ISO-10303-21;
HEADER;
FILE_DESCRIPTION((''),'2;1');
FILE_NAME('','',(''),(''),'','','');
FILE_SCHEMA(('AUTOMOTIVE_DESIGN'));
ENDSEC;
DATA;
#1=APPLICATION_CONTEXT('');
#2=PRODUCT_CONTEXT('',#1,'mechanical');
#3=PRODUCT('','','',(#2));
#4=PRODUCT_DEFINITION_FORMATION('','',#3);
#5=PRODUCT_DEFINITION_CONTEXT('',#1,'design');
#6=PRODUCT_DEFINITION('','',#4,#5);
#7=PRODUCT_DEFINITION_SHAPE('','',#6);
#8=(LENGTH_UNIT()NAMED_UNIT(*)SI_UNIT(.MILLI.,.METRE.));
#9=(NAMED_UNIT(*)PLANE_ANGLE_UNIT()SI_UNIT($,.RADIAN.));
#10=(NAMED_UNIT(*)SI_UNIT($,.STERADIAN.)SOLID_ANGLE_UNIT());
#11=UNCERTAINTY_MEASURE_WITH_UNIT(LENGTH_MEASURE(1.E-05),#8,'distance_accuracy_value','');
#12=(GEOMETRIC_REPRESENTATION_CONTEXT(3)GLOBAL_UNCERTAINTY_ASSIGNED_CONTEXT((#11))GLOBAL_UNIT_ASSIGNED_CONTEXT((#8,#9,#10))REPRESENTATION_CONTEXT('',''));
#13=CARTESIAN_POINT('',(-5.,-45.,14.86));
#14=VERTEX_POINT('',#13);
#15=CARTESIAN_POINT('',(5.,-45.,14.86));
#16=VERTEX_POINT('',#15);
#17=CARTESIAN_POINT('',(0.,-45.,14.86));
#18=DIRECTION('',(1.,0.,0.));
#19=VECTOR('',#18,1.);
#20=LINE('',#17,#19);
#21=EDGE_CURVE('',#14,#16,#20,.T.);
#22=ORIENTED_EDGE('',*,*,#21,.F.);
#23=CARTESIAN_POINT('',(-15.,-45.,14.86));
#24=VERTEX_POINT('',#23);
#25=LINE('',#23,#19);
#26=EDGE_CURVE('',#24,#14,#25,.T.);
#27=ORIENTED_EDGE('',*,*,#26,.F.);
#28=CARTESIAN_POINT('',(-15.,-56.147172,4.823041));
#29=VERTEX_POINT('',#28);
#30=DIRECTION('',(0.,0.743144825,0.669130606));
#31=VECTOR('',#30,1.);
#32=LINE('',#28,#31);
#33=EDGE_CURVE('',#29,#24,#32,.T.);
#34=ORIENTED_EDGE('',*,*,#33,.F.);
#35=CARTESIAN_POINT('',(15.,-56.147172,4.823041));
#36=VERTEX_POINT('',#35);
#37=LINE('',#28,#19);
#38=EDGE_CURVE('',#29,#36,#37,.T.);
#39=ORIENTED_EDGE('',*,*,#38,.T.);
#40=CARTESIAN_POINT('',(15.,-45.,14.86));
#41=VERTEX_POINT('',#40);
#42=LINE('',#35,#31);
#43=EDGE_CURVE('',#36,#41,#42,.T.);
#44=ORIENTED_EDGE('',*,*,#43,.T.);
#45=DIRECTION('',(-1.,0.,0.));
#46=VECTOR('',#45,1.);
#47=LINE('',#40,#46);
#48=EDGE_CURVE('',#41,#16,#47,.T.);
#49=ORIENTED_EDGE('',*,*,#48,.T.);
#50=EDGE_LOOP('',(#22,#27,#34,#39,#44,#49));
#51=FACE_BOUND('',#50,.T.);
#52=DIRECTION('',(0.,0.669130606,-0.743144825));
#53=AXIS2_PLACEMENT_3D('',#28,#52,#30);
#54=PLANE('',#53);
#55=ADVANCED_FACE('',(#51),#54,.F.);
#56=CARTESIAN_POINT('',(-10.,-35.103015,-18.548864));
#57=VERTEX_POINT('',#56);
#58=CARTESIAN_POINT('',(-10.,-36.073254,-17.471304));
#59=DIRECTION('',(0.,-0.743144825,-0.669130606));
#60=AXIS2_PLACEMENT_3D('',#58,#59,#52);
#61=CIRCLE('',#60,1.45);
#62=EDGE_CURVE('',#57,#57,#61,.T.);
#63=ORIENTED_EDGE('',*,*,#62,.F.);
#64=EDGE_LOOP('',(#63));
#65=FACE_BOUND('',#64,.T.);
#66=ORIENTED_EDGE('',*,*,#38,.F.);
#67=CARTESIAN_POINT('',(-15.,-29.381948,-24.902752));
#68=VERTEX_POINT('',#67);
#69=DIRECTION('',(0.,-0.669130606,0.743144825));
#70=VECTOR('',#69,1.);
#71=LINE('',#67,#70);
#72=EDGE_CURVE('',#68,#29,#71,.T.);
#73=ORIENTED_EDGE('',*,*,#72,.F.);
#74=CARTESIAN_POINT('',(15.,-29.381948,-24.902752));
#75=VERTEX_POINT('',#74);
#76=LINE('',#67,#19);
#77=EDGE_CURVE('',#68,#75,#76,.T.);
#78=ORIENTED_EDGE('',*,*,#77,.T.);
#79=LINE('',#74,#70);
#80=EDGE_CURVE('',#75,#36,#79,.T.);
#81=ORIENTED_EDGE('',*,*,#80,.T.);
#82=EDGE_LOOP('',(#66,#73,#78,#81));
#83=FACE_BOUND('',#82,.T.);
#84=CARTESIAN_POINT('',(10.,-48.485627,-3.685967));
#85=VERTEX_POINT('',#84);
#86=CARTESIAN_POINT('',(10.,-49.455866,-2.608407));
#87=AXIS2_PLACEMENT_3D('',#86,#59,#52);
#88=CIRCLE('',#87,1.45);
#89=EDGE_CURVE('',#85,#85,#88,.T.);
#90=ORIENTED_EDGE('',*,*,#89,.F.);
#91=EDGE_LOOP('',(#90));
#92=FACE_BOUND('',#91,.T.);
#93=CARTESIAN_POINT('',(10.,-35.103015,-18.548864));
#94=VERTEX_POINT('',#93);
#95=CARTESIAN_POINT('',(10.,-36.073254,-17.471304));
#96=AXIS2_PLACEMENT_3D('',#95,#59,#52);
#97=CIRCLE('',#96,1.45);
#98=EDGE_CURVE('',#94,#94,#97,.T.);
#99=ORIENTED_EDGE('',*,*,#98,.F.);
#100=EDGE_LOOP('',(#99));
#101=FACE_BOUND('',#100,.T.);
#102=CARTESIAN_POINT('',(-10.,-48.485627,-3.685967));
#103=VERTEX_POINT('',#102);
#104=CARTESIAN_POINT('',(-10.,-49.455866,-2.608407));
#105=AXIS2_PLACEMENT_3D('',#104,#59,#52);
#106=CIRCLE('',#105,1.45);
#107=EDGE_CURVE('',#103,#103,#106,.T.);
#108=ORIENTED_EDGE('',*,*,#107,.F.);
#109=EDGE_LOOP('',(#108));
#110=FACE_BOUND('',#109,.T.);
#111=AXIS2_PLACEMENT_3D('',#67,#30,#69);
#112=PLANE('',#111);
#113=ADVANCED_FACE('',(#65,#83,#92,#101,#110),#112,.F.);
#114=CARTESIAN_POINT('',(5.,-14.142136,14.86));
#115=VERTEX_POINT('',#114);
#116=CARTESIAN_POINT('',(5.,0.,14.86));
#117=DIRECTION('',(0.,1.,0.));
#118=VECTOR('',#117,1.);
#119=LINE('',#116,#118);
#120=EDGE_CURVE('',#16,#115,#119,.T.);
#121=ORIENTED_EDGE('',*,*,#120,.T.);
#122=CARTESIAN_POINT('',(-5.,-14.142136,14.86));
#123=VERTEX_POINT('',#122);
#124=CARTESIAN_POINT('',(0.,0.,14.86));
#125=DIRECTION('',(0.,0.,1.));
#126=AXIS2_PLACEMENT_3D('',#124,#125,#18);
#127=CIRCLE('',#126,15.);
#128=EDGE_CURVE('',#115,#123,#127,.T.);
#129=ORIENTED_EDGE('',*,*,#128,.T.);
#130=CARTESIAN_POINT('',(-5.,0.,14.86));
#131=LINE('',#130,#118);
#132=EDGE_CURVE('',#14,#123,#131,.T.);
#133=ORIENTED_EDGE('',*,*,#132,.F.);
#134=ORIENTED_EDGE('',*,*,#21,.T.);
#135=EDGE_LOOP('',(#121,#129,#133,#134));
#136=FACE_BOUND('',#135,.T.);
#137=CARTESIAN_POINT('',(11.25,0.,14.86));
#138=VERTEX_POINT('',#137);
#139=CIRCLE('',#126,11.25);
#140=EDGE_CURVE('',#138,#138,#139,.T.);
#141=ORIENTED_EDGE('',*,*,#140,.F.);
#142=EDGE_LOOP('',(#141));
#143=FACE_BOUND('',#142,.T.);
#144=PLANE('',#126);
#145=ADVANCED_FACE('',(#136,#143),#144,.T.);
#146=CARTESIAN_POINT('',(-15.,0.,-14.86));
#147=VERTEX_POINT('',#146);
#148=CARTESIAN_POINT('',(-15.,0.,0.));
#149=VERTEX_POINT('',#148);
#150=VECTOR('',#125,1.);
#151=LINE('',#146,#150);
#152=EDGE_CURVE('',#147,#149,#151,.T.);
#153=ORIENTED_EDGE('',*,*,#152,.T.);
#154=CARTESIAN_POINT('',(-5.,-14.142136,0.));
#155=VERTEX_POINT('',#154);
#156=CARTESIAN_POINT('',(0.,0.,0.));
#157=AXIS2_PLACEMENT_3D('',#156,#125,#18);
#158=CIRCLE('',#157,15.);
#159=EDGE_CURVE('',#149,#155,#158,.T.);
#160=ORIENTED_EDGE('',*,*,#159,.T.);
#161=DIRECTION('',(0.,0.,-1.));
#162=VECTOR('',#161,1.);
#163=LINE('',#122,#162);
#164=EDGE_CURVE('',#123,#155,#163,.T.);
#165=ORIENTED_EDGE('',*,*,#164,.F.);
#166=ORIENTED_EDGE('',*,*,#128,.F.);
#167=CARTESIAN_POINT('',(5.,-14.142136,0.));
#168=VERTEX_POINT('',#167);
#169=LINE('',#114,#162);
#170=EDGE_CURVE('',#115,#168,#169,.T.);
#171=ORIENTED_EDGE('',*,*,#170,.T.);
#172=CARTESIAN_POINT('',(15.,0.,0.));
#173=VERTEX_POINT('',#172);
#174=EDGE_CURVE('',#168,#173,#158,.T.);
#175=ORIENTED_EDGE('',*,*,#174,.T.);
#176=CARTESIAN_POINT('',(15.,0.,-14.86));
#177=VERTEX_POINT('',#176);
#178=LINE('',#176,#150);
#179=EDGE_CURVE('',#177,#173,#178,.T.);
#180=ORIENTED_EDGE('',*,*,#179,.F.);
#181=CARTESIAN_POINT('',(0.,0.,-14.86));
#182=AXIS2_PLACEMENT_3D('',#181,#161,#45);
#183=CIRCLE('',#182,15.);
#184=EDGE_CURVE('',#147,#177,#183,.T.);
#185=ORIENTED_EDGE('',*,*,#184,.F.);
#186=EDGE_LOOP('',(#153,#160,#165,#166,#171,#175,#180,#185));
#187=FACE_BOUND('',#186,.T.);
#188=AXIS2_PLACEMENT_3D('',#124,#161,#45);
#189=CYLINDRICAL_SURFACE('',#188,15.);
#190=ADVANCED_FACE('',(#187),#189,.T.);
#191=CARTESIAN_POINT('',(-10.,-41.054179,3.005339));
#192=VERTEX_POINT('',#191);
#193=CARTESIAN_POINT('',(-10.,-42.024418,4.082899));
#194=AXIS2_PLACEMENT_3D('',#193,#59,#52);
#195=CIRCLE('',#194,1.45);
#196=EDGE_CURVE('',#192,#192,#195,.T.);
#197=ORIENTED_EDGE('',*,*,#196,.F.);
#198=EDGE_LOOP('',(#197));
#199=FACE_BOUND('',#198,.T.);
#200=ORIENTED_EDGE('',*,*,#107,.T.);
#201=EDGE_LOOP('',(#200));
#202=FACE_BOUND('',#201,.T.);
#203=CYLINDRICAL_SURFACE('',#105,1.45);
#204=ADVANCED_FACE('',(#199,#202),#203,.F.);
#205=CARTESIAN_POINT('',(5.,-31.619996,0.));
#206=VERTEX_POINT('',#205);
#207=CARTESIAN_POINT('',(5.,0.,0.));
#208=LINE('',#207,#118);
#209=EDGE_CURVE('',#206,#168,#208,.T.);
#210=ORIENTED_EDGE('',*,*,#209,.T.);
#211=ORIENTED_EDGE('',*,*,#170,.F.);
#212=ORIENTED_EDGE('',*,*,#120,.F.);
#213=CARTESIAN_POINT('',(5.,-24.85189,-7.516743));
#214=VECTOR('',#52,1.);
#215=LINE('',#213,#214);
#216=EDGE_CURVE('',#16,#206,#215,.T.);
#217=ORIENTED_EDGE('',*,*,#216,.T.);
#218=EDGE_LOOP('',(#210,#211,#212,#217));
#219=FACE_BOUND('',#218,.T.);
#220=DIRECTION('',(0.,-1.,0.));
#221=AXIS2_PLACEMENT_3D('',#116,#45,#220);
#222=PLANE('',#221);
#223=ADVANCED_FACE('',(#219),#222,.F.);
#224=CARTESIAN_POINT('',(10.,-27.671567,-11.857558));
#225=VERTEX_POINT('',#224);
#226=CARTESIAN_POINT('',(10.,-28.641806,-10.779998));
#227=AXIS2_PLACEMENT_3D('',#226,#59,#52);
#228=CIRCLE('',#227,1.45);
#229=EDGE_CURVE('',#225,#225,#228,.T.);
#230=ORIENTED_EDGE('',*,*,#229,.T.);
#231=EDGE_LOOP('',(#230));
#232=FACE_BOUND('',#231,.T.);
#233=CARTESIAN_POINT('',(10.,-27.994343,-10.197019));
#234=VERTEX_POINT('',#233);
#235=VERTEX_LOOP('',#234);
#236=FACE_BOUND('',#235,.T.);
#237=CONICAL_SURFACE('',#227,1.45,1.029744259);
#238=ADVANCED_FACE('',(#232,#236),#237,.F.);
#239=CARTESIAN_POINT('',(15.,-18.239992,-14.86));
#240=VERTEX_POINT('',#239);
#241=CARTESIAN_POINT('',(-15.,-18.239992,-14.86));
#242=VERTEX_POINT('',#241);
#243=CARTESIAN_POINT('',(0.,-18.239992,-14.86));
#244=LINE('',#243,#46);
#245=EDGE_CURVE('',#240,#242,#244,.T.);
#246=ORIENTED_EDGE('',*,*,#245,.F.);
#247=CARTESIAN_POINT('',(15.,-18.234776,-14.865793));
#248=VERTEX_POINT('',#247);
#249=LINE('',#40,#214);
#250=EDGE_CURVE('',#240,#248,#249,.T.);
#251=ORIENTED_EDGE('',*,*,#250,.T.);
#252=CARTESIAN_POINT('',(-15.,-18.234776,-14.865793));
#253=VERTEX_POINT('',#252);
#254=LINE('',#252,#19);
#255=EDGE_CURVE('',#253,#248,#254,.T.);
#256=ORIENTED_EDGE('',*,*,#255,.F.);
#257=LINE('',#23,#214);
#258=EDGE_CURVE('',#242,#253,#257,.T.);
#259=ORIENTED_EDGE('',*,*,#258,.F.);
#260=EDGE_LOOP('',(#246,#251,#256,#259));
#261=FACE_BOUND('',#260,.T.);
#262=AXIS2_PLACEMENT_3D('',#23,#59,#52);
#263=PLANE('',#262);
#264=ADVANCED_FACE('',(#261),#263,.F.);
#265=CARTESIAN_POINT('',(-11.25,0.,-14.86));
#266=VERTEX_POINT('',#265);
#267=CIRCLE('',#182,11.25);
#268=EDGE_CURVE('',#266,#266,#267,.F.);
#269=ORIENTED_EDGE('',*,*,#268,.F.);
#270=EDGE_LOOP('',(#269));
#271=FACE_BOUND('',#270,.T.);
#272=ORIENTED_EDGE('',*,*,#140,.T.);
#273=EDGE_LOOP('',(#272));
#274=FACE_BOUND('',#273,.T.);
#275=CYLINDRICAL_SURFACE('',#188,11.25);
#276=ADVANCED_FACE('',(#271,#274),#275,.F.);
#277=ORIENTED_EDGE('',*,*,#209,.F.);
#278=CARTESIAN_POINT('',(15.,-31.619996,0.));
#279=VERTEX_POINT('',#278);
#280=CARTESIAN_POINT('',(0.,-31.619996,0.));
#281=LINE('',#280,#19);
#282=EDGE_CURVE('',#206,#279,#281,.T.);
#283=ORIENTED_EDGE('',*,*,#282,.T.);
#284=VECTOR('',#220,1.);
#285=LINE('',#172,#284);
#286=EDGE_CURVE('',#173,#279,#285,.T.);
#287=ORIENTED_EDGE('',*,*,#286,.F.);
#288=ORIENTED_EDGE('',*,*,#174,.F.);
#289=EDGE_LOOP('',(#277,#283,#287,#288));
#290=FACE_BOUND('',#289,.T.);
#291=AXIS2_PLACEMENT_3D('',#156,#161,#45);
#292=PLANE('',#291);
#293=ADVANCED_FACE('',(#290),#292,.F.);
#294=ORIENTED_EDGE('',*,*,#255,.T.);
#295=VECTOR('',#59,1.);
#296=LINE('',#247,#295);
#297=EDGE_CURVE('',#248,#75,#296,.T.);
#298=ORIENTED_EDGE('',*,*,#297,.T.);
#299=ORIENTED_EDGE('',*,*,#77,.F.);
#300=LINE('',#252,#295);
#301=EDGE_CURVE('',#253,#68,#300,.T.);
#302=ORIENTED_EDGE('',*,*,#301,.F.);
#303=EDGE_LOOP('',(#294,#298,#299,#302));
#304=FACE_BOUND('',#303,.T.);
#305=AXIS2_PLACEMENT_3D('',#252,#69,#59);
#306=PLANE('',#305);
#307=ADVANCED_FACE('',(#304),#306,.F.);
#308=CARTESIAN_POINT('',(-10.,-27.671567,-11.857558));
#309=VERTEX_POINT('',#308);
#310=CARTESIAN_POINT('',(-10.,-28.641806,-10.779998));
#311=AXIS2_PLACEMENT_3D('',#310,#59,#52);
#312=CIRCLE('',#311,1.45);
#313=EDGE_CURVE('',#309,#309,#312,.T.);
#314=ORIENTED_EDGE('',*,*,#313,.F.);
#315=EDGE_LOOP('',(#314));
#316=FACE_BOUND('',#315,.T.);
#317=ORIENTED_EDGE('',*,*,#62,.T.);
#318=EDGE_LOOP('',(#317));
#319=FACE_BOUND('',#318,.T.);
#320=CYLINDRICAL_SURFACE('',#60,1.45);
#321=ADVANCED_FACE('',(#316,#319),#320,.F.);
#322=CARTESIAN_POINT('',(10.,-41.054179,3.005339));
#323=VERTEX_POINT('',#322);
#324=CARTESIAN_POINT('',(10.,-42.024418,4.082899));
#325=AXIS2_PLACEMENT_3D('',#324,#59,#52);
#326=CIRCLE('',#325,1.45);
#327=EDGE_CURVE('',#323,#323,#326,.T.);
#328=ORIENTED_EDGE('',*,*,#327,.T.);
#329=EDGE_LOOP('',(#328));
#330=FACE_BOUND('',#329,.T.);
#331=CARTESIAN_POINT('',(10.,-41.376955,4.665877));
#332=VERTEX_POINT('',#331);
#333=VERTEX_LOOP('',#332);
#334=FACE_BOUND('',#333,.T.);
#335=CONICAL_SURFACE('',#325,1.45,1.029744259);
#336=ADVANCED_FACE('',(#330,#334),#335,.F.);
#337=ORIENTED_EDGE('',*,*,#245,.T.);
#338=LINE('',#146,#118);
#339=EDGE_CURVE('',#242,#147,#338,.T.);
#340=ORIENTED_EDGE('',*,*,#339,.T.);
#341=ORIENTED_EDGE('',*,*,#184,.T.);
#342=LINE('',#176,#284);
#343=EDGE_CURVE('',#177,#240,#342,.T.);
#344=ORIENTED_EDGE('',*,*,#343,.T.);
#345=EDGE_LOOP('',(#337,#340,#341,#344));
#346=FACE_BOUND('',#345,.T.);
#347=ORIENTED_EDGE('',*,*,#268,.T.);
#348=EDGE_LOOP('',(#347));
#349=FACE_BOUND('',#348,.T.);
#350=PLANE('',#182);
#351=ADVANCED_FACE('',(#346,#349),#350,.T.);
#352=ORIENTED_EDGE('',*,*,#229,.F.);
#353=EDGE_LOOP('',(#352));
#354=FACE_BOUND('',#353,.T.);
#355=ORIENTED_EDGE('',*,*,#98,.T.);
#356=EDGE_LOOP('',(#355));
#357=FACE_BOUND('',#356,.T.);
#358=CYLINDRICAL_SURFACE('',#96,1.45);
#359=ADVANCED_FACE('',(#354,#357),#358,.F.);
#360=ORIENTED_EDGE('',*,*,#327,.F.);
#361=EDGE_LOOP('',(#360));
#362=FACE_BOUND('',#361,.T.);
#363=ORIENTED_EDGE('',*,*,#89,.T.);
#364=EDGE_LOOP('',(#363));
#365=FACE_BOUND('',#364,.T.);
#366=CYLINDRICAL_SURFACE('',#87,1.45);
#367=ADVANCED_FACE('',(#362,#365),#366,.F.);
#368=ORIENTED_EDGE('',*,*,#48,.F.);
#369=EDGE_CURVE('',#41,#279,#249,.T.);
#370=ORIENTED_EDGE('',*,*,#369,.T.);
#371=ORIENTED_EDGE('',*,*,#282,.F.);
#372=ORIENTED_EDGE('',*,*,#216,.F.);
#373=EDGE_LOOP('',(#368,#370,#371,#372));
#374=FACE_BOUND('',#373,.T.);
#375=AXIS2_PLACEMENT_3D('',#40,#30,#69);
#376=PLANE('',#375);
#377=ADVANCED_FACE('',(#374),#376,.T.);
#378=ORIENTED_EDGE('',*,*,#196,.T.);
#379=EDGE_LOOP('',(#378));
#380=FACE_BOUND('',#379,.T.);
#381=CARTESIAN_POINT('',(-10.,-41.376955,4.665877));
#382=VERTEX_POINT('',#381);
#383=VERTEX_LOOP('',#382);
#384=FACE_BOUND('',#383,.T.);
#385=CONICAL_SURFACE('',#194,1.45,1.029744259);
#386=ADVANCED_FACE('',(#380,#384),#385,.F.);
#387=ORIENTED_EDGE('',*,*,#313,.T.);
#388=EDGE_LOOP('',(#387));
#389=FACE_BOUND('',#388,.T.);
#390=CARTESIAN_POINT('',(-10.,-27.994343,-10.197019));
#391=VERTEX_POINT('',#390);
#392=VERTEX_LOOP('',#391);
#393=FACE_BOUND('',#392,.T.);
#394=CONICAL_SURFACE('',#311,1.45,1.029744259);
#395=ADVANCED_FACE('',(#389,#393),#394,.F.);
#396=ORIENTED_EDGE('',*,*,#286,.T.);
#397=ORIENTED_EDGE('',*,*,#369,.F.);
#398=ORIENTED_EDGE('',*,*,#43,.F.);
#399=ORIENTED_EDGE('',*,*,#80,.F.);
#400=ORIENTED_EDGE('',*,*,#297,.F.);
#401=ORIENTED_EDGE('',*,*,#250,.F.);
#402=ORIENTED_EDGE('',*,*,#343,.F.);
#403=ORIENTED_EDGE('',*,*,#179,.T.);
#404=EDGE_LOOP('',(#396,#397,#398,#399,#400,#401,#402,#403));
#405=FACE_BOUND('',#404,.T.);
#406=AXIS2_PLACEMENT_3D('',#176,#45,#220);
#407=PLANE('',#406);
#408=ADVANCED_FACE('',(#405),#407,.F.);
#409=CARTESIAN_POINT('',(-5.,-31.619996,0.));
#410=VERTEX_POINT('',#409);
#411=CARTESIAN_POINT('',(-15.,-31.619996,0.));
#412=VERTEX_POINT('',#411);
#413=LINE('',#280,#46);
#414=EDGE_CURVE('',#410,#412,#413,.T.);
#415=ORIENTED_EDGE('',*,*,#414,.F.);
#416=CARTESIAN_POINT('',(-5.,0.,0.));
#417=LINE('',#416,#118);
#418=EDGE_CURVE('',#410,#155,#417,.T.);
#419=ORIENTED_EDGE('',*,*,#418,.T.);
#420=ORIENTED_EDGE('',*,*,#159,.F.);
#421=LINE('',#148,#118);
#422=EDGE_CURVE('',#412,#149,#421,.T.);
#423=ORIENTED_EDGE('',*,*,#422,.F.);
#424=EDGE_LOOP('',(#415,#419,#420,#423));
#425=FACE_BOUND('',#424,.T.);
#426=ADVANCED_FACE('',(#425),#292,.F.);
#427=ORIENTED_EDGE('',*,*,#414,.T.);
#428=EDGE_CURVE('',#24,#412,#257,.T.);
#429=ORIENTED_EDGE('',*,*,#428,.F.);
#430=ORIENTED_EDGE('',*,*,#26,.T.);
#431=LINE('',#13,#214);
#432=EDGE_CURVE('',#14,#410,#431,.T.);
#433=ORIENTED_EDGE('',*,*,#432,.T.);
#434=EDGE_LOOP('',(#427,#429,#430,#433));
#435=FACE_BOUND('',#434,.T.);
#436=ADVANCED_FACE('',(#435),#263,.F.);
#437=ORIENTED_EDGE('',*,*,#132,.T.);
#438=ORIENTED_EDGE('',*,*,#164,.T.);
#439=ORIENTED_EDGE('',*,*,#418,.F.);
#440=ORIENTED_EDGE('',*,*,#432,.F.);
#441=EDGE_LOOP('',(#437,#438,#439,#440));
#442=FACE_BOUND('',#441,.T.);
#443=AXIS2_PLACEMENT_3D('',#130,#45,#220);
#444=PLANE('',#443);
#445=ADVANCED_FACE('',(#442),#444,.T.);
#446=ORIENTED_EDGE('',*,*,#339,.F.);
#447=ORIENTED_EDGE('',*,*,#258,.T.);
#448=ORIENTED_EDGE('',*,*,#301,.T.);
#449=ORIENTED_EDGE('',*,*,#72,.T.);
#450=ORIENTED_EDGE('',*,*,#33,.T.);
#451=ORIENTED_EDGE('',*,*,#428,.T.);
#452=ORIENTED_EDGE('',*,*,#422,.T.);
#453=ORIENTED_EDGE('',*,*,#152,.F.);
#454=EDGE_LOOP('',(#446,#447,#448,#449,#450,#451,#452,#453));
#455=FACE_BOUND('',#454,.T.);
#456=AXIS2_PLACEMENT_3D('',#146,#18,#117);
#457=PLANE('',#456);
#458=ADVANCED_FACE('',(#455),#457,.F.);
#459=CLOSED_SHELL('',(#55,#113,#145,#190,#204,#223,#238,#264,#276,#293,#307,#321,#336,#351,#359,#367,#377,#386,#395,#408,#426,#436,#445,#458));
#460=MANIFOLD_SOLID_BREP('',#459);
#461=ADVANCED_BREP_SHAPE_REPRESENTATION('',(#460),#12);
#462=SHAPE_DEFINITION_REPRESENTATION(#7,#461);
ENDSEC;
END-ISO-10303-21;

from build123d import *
from build123d.topology import SkipClean

# Parameters (mm, degrees)
SKETCH_1_R               = 11.25
EXTRUDE_1_DEPTH          = 14.86
EXTRUDE_START            = 14.86
SKETCH_2_R               = 11.25
EXTRUDE_2_DEPTH          = 14.86
EXTRUDE_4_DEPTH          = 10
EXTRUDE_5_DEPTH          = 20
HOLE_WIZARD_M3_5_1_D     = 2.9
HOLE_WIZARD_M3_5_1_DEPTH = 10
HOLE_WIZARD_M3_5_1_TIP   = 0.871247898


with BuildPart() as part:
    # 스케치1 → 보스-돌출1 (new body)
    with BuildSketch(Plane.XY):
        with BuildLine():
            Line((-5, -14.142135624), (-5, -45))
            Line((-5, -45), (5, -45))
            Line((5, -45), (5, -14.142135624))
            ThreePointArc((5, -14.142135624), (0, 15), (-5, -14.142135624))
        make_face()
        Circle(SKETCH_1_R, mode=Mode.SUBTRACT)
    extrude(amount=EXTRUDE_1_DEPTH)

    # 스케치2 → 보스-돌출2 (add)
    with SkipClean():  # the faces are left unmerged after this step: merging them gives an invalid solid
        with BuildSketch(Plane(origin=(0, 0, 0), x_dir=(-1, 0, 0), z_dir=(0, 0, -1)).offset(EXTRUDE_START)):
            with BuildLine():
                Line((15, -32), (15, 0))
                ThreePointArc((15, 0), (0, 15), (-15, 0))
                Line((-15, 0), (-15, -32))
                Line((-15, -32), (15, -32))
            make_face()
            Circle(SKETCH_2_R, mode=Mode.SUBTRACT)
        extrude(amount=-EXTRUDE_2_DEPTH)

    # 스케치4 → 보스-돌출4 (add)
    with SkipClean():  # the faces are left unmerged after this step: merging them gives an invalid solid
        with BuildSketch(Plane.ZY.offset(5)):
            Polygon((14.86, -45), (-14.865793019, -18.234775746), (-24.902752114, -29.381948128), (4.823040905, -56.147172382), align=None)
        extrude(amount=EXTRUDE_4_DEPTH)

    # 스케치4<2> → 보스-돌출5 (add)
    with SkipClean():  # the faces are left unmerged after this step: merging them gives an invalid solid
        with BuildSketch(Plane.ZY.offset(5)):
            Polygon((14.86, -45), (-14.865793019, -18.234775746), (-24.902752114, -29.381948128), (4.823040905, -56.147172382), align=None)
        extrude(amount=-EXTRUDE_5_DEPTH)

    # M3.5 나사 구멍1
    with Locations(Plane(origin=(0, -28.609765123, -25.760348223), x_dir=(-1, 0, 0), z_dir=(0, -0.7431448254773957, -0.6691306063588566))):
        with Locations((10, -31.154009393), (-10, -31.154009393), (-10, -11.154009393), (10, -11.154009393)):
            Hole(HOLE_WIZARD_M3_5_1_D / 2, depth=HOLE_WIZARD_M3_5_1_DEPTH)
            with Locations((0, 0, -(HOLE_WIZARD_M3_5_1_DEPTH + HOLE_WIZARD_M3_5_1_TIP / 2))):  # 118° drill point
                Cone(0, HOLE_WIZARD_M3_5_1_D / 2, HOLE_WIZARD_M3_5_1_TIP, mode=Mode.SUBTRACT)


solid = part.part
